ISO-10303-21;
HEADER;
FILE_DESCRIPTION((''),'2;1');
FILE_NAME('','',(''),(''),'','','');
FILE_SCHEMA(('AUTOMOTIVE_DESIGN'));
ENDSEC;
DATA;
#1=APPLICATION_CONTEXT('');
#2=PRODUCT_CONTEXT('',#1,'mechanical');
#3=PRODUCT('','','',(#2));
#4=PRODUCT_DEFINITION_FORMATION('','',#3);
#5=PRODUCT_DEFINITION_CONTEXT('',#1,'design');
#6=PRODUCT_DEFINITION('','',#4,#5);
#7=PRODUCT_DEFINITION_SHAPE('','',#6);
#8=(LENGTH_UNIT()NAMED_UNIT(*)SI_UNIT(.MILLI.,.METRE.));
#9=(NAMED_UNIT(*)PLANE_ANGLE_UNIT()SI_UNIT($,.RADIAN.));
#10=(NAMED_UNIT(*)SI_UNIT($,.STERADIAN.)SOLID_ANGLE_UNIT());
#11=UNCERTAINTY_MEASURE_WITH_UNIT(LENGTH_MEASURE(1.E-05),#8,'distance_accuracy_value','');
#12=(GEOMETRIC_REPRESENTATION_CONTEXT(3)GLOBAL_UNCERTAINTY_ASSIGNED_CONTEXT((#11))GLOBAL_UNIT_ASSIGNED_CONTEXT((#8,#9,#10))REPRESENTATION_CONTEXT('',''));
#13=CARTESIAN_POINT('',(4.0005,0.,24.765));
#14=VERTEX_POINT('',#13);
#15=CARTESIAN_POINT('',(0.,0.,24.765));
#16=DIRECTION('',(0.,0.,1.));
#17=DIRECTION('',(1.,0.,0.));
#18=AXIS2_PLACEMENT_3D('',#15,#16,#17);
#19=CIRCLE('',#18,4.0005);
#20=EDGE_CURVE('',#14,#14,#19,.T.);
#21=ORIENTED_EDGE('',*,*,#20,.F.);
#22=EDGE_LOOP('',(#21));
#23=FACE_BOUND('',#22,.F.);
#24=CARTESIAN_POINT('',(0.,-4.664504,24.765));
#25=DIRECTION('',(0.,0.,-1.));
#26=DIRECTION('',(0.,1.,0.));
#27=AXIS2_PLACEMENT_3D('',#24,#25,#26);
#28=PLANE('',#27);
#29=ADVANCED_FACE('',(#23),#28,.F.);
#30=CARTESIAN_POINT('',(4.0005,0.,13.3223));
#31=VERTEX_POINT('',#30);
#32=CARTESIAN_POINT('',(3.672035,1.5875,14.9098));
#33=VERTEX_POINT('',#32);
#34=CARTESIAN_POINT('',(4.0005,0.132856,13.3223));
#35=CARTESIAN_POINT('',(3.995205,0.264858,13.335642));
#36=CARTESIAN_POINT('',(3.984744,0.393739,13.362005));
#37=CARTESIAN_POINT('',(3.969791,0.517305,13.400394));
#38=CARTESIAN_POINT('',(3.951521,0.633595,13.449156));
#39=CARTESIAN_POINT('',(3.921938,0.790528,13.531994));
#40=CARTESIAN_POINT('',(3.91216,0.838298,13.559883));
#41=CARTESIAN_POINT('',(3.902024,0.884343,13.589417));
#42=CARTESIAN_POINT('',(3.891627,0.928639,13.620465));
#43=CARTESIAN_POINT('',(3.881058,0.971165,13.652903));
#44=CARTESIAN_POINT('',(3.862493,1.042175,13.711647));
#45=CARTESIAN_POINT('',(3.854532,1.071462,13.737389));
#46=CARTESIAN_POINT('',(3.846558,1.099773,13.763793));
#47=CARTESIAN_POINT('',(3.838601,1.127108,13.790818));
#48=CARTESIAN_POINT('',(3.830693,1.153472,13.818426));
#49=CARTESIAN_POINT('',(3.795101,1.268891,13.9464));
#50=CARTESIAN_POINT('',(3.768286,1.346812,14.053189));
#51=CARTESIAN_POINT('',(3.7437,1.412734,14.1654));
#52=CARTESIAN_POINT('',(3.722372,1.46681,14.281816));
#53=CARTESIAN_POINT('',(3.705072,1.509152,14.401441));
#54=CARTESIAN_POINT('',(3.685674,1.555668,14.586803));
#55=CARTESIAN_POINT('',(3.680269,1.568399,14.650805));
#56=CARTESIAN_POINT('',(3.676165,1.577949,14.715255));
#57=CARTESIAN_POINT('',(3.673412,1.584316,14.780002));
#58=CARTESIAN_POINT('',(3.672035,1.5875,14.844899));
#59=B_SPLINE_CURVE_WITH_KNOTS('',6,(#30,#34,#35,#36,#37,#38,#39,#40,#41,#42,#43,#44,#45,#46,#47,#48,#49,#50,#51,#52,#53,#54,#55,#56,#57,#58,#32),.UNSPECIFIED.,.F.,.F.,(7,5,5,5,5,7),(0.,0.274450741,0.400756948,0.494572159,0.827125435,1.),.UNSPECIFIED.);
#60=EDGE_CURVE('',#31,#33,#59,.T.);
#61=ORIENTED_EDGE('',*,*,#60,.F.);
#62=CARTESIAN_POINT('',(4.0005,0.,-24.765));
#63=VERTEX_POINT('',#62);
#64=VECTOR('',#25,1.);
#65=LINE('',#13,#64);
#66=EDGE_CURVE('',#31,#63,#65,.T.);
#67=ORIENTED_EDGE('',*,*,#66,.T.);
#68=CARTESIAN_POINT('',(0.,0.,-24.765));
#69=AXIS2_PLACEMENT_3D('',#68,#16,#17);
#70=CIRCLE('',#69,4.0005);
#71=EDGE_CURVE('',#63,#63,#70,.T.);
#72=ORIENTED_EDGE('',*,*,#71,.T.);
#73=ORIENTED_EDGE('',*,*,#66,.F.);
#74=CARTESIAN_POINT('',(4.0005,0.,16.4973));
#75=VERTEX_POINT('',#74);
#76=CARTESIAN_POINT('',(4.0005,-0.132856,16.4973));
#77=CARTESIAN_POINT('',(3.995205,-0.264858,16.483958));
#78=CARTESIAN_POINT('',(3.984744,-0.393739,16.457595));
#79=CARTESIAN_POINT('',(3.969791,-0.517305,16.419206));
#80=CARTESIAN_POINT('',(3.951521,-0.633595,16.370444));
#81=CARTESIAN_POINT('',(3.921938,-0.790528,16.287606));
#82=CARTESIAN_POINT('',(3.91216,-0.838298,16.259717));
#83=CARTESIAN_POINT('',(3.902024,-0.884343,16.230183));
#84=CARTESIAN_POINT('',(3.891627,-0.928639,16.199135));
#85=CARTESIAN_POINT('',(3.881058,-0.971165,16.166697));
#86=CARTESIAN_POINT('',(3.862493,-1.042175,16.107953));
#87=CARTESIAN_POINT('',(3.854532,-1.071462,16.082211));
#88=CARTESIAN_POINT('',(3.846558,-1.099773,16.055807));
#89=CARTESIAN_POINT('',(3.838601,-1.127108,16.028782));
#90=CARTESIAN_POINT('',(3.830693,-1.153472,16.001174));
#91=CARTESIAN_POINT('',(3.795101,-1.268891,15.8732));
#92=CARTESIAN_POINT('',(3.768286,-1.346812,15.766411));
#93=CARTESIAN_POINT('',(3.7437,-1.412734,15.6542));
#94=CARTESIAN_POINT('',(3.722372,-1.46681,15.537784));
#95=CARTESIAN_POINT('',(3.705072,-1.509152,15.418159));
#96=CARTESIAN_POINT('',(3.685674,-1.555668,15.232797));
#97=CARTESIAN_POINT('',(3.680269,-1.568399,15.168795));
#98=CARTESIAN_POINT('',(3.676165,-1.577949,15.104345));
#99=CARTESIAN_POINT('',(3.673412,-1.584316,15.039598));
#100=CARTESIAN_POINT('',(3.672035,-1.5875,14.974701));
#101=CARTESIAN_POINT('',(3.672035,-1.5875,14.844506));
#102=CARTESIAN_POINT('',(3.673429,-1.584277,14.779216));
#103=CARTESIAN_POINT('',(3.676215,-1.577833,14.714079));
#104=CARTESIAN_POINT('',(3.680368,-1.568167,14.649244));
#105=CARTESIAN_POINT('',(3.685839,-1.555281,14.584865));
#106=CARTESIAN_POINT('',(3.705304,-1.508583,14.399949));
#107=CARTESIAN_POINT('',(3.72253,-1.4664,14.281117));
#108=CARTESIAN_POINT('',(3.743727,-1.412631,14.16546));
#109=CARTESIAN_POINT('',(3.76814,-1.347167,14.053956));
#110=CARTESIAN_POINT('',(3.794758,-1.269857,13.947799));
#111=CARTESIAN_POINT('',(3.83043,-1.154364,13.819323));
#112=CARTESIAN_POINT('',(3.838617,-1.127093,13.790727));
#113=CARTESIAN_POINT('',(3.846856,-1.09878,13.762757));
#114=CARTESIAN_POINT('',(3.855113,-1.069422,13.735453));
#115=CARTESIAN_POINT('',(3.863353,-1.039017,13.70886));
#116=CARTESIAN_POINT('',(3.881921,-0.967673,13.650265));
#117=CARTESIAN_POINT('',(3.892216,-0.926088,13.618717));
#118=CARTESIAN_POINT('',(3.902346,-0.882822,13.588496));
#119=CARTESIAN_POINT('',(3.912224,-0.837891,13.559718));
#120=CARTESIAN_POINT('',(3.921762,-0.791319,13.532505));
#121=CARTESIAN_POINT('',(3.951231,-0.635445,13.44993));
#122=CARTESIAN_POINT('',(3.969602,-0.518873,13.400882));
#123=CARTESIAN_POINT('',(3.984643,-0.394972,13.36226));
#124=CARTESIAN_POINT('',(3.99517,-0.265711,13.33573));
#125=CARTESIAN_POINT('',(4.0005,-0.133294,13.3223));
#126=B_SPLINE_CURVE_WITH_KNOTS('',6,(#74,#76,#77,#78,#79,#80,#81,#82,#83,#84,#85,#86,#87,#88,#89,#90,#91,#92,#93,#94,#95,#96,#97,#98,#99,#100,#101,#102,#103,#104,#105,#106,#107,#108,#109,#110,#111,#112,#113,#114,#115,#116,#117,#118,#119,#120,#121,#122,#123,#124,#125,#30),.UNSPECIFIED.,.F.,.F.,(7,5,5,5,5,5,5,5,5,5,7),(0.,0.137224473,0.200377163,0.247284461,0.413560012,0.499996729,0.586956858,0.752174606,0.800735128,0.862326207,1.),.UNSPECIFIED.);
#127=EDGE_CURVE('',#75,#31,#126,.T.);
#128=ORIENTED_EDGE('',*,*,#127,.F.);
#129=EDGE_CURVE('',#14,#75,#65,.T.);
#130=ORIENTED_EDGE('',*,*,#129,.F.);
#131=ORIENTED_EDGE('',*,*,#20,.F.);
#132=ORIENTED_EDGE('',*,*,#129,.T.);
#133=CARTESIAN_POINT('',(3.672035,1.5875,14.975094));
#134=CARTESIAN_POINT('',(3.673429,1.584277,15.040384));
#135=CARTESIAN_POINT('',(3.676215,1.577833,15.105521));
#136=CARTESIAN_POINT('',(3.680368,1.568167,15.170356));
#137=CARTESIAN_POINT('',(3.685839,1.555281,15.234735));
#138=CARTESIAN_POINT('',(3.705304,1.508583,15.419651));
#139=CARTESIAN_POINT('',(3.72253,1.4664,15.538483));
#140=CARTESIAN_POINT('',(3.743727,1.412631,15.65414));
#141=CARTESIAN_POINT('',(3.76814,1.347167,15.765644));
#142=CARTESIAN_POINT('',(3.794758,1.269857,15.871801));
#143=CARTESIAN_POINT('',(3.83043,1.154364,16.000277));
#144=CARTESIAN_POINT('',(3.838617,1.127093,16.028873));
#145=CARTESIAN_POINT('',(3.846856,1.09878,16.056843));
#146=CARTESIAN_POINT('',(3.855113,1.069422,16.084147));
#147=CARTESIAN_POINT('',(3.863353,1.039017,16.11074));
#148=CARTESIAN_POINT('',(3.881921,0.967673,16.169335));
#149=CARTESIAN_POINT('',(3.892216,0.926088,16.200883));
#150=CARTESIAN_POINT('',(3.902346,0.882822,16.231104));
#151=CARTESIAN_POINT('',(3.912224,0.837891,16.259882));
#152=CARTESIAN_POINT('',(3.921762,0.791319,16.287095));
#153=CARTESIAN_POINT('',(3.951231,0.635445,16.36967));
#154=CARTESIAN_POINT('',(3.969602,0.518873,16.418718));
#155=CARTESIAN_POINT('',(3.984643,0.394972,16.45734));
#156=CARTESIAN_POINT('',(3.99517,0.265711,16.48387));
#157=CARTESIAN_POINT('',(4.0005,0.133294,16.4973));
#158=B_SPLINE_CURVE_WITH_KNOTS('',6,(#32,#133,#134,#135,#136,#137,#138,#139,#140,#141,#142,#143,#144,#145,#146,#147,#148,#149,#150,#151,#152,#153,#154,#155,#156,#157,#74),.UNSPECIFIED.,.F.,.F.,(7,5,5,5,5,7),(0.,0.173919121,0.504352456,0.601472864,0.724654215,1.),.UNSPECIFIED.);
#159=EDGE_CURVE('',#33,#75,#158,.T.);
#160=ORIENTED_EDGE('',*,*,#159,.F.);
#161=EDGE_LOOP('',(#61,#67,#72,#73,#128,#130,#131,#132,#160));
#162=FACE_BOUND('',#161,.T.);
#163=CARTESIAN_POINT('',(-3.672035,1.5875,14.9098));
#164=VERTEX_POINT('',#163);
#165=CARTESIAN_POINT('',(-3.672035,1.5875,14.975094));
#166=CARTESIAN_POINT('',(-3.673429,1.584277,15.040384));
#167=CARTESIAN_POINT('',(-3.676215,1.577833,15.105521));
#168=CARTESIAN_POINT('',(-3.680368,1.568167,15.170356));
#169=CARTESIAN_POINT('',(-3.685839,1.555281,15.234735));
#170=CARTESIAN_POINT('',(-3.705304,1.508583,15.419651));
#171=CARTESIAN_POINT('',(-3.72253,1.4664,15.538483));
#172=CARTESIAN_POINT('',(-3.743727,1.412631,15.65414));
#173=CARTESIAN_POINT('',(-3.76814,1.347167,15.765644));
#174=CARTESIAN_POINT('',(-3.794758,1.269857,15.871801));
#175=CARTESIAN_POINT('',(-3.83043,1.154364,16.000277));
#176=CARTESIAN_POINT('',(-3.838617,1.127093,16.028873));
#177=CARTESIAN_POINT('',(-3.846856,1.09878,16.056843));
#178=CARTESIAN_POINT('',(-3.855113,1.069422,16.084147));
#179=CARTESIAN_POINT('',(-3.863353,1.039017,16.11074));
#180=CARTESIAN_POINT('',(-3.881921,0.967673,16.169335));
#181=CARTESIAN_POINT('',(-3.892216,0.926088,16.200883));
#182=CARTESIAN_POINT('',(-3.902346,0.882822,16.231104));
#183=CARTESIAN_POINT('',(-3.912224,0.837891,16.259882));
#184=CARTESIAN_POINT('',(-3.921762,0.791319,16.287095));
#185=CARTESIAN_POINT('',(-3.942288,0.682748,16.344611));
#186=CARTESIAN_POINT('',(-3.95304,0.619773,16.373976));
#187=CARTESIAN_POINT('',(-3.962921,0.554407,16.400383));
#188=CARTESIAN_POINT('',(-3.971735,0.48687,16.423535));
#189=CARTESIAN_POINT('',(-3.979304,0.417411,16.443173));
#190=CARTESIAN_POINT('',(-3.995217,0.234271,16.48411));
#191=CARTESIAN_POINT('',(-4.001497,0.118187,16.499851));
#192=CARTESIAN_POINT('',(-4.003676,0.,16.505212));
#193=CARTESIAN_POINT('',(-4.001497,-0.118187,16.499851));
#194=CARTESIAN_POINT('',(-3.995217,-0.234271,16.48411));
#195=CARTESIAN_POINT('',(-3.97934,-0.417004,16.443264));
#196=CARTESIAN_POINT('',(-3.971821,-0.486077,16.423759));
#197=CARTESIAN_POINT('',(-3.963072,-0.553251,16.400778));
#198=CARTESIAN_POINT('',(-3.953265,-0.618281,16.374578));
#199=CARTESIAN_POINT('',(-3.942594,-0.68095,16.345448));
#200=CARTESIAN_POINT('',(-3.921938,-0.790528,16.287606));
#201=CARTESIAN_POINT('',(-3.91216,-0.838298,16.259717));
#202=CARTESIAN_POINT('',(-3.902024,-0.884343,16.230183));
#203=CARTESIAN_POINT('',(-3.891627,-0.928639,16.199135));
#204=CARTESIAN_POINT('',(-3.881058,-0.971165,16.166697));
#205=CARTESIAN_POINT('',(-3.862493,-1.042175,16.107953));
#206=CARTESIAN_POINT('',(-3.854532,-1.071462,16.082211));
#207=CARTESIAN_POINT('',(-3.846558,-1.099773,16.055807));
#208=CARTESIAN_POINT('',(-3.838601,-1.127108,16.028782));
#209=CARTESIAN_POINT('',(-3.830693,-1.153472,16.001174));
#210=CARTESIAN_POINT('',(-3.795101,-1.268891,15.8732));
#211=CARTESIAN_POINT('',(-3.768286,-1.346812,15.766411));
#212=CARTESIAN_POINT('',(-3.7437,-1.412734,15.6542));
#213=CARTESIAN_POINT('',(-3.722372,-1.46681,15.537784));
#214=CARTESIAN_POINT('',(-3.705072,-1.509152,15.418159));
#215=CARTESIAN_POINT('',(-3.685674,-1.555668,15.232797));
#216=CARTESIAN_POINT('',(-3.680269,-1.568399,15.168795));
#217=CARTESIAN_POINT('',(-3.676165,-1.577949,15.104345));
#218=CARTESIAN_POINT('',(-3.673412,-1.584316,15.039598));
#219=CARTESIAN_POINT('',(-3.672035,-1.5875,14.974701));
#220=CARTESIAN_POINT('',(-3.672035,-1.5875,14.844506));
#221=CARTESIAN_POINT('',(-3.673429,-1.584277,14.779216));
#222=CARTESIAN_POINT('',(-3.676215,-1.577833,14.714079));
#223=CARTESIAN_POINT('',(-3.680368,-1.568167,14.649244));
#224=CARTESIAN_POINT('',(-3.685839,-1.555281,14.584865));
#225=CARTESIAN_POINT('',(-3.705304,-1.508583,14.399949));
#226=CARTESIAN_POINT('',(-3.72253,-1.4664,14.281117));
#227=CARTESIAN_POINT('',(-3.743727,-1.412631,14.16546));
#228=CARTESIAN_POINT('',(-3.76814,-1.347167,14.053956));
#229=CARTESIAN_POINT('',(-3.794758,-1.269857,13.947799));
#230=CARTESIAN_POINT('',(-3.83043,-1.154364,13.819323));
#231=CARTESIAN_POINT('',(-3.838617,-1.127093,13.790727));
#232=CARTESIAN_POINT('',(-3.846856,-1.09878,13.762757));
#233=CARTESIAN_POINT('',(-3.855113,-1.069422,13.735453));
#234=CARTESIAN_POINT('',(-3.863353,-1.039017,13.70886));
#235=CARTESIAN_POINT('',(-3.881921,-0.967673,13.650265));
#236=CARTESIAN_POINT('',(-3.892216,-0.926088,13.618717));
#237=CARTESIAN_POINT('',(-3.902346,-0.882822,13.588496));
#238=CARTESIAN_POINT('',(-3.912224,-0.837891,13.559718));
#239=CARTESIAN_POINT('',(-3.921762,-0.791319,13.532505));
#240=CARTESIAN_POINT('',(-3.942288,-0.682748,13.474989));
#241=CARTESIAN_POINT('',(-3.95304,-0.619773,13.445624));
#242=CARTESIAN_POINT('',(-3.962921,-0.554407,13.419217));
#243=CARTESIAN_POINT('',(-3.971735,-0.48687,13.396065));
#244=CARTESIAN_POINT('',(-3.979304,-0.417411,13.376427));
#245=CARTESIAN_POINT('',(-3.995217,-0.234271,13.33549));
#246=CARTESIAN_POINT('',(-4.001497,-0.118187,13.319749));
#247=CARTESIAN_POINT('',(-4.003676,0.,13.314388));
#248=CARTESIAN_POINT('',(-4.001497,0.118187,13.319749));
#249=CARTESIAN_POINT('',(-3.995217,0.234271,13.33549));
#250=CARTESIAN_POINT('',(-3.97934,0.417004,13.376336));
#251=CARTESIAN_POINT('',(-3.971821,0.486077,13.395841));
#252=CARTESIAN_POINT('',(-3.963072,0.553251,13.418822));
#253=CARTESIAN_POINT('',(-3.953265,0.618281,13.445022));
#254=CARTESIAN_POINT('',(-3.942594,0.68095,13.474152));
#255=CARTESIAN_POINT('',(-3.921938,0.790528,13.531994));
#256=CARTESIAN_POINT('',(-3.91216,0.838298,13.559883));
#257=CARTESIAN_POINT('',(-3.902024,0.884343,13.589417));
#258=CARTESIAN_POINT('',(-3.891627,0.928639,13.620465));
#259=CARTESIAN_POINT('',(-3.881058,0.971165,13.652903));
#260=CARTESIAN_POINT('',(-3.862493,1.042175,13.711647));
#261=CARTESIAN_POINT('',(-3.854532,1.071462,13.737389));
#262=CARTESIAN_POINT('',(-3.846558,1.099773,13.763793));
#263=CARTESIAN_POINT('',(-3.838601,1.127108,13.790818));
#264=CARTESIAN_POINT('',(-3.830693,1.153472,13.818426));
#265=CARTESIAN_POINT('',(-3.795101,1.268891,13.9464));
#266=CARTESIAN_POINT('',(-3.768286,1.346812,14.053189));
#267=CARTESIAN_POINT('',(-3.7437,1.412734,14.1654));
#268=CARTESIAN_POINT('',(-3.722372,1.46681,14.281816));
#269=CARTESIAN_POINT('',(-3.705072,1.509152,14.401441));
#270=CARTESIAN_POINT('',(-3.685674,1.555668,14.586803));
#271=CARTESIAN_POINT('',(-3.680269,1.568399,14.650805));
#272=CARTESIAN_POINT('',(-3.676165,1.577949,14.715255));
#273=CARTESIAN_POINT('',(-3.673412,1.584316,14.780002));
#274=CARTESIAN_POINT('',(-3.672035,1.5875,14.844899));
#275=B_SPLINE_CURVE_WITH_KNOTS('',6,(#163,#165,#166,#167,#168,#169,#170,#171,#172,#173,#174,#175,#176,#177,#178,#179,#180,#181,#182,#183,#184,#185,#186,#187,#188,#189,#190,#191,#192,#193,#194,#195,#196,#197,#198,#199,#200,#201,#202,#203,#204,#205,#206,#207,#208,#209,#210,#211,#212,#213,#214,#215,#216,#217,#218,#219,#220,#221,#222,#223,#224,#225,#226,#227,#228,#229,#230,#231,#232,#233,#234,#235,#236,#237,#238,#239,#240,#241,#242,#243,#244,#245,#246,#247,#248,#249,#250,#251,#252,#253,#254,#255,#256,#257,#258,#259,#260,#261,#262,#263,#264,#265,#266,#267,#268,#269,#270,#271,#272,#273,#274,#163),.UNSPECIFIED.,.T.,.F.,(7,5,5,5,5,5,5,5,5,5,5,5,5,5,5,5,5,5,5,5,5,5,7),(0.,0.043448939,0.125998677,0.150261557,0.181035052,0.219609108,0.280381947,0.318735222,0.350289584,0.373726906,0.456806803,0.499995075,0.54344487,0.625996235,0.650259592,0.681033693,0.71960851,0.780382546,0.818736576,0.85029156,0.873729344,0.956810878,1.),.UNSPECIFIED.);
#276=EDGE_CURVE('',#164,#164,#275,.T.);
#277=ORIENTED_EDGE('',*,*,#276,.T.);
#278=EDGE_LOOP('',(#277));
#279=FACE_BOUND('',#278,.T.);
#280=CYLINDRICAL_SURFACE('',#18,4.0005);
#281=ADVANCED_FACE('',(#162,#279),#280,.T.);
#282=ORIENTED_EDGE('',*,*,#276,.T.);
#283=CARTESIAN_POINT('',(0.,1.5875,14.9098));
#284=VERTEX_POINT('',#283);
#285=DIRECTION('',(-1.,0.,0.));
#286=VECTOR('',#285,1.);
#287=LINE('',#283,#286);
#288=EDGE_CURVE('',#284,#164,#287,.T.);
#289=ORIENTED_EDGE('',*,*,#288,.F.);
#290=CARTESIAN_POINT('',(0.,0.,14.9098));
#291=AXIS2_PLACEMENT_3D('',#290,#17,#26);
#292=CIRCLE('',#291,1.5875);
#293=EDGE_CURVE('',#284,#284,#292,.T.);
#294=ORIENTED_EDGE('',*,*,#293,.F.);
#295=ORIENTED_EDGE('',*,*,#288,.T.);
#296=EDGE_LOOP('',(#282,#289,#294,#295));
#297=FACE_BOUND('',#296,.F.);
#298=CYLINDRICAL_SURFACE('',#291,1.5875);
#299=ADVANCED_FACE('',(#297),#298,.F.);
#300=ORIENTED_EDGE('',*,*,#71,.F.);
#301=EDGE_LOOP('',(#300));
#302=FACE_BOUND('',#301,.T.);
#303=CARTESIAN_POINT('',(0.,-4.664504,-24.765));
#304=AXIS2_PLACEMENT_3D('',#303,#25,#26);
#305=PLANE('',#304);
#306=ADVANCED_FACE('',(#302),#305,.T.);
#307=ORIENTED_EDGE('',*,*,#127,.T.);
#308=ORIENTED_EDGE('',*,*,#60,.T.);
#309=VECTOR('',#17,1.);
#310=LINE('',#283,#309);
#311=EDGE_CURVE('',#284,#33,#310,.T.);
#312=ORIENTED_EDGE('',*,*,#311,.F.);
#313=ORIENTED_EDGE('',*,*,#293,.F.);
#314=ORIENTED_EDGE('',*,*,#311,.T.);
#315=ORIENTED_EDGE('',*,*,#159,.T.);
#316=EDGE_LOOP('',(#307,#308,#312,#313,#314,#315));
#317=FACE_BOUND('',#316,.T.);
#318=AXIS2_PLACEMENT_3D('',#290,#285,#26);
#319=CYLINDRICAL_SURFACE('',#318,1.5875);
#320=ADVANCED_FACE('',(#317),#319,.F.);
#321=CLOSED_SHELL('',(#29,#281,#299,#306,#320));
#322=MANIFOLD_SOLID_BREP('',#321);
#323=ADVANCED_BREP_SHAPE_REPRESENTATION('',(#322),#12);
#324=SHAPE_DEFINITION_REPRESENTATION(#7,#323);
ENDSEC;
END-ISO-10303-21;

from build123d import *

# Parameters (mm, degrees)
F0_W          = 9.329008
F0_H          = 49.53
F0_R          = 1.5875
F1_DEPTH      = 4.826
F1_DEPTH_BACK = 4.064
F2_W          = 8.89
F2_H          = 9.329008
F2_R          = 4.0005
F3_DEPTH      = 49.53


with BuildPart() as f1:
    # F0 (on Right) → F1 (new body, two sides)
    with BuildSketch(Plane.YZ) as f1_sk:
        Rectangle(F0_W, F0_H)
        with Locations((0, 14.9098)):
            Circle(F0_R, mode=Mode.SUBTRACT)
    extrude(amount=F1_DEPTH)
    extrude(f1_sk.sketch, amount=-F1_DEPTH_BACK)

    # F2 (on face) → F3 (cut)
    with BuildSketch(Plane.XY.offset(24.765)):
        with Locations((0.381, 0)):
            Rectangle(F2_W, F2_H)
        Circle(F2_R, mode=Mode.SUBTRACT)
    extrude(amount=-F3_DEPTH, mode=Mode.SUBTRACT)


solid = f1.part
